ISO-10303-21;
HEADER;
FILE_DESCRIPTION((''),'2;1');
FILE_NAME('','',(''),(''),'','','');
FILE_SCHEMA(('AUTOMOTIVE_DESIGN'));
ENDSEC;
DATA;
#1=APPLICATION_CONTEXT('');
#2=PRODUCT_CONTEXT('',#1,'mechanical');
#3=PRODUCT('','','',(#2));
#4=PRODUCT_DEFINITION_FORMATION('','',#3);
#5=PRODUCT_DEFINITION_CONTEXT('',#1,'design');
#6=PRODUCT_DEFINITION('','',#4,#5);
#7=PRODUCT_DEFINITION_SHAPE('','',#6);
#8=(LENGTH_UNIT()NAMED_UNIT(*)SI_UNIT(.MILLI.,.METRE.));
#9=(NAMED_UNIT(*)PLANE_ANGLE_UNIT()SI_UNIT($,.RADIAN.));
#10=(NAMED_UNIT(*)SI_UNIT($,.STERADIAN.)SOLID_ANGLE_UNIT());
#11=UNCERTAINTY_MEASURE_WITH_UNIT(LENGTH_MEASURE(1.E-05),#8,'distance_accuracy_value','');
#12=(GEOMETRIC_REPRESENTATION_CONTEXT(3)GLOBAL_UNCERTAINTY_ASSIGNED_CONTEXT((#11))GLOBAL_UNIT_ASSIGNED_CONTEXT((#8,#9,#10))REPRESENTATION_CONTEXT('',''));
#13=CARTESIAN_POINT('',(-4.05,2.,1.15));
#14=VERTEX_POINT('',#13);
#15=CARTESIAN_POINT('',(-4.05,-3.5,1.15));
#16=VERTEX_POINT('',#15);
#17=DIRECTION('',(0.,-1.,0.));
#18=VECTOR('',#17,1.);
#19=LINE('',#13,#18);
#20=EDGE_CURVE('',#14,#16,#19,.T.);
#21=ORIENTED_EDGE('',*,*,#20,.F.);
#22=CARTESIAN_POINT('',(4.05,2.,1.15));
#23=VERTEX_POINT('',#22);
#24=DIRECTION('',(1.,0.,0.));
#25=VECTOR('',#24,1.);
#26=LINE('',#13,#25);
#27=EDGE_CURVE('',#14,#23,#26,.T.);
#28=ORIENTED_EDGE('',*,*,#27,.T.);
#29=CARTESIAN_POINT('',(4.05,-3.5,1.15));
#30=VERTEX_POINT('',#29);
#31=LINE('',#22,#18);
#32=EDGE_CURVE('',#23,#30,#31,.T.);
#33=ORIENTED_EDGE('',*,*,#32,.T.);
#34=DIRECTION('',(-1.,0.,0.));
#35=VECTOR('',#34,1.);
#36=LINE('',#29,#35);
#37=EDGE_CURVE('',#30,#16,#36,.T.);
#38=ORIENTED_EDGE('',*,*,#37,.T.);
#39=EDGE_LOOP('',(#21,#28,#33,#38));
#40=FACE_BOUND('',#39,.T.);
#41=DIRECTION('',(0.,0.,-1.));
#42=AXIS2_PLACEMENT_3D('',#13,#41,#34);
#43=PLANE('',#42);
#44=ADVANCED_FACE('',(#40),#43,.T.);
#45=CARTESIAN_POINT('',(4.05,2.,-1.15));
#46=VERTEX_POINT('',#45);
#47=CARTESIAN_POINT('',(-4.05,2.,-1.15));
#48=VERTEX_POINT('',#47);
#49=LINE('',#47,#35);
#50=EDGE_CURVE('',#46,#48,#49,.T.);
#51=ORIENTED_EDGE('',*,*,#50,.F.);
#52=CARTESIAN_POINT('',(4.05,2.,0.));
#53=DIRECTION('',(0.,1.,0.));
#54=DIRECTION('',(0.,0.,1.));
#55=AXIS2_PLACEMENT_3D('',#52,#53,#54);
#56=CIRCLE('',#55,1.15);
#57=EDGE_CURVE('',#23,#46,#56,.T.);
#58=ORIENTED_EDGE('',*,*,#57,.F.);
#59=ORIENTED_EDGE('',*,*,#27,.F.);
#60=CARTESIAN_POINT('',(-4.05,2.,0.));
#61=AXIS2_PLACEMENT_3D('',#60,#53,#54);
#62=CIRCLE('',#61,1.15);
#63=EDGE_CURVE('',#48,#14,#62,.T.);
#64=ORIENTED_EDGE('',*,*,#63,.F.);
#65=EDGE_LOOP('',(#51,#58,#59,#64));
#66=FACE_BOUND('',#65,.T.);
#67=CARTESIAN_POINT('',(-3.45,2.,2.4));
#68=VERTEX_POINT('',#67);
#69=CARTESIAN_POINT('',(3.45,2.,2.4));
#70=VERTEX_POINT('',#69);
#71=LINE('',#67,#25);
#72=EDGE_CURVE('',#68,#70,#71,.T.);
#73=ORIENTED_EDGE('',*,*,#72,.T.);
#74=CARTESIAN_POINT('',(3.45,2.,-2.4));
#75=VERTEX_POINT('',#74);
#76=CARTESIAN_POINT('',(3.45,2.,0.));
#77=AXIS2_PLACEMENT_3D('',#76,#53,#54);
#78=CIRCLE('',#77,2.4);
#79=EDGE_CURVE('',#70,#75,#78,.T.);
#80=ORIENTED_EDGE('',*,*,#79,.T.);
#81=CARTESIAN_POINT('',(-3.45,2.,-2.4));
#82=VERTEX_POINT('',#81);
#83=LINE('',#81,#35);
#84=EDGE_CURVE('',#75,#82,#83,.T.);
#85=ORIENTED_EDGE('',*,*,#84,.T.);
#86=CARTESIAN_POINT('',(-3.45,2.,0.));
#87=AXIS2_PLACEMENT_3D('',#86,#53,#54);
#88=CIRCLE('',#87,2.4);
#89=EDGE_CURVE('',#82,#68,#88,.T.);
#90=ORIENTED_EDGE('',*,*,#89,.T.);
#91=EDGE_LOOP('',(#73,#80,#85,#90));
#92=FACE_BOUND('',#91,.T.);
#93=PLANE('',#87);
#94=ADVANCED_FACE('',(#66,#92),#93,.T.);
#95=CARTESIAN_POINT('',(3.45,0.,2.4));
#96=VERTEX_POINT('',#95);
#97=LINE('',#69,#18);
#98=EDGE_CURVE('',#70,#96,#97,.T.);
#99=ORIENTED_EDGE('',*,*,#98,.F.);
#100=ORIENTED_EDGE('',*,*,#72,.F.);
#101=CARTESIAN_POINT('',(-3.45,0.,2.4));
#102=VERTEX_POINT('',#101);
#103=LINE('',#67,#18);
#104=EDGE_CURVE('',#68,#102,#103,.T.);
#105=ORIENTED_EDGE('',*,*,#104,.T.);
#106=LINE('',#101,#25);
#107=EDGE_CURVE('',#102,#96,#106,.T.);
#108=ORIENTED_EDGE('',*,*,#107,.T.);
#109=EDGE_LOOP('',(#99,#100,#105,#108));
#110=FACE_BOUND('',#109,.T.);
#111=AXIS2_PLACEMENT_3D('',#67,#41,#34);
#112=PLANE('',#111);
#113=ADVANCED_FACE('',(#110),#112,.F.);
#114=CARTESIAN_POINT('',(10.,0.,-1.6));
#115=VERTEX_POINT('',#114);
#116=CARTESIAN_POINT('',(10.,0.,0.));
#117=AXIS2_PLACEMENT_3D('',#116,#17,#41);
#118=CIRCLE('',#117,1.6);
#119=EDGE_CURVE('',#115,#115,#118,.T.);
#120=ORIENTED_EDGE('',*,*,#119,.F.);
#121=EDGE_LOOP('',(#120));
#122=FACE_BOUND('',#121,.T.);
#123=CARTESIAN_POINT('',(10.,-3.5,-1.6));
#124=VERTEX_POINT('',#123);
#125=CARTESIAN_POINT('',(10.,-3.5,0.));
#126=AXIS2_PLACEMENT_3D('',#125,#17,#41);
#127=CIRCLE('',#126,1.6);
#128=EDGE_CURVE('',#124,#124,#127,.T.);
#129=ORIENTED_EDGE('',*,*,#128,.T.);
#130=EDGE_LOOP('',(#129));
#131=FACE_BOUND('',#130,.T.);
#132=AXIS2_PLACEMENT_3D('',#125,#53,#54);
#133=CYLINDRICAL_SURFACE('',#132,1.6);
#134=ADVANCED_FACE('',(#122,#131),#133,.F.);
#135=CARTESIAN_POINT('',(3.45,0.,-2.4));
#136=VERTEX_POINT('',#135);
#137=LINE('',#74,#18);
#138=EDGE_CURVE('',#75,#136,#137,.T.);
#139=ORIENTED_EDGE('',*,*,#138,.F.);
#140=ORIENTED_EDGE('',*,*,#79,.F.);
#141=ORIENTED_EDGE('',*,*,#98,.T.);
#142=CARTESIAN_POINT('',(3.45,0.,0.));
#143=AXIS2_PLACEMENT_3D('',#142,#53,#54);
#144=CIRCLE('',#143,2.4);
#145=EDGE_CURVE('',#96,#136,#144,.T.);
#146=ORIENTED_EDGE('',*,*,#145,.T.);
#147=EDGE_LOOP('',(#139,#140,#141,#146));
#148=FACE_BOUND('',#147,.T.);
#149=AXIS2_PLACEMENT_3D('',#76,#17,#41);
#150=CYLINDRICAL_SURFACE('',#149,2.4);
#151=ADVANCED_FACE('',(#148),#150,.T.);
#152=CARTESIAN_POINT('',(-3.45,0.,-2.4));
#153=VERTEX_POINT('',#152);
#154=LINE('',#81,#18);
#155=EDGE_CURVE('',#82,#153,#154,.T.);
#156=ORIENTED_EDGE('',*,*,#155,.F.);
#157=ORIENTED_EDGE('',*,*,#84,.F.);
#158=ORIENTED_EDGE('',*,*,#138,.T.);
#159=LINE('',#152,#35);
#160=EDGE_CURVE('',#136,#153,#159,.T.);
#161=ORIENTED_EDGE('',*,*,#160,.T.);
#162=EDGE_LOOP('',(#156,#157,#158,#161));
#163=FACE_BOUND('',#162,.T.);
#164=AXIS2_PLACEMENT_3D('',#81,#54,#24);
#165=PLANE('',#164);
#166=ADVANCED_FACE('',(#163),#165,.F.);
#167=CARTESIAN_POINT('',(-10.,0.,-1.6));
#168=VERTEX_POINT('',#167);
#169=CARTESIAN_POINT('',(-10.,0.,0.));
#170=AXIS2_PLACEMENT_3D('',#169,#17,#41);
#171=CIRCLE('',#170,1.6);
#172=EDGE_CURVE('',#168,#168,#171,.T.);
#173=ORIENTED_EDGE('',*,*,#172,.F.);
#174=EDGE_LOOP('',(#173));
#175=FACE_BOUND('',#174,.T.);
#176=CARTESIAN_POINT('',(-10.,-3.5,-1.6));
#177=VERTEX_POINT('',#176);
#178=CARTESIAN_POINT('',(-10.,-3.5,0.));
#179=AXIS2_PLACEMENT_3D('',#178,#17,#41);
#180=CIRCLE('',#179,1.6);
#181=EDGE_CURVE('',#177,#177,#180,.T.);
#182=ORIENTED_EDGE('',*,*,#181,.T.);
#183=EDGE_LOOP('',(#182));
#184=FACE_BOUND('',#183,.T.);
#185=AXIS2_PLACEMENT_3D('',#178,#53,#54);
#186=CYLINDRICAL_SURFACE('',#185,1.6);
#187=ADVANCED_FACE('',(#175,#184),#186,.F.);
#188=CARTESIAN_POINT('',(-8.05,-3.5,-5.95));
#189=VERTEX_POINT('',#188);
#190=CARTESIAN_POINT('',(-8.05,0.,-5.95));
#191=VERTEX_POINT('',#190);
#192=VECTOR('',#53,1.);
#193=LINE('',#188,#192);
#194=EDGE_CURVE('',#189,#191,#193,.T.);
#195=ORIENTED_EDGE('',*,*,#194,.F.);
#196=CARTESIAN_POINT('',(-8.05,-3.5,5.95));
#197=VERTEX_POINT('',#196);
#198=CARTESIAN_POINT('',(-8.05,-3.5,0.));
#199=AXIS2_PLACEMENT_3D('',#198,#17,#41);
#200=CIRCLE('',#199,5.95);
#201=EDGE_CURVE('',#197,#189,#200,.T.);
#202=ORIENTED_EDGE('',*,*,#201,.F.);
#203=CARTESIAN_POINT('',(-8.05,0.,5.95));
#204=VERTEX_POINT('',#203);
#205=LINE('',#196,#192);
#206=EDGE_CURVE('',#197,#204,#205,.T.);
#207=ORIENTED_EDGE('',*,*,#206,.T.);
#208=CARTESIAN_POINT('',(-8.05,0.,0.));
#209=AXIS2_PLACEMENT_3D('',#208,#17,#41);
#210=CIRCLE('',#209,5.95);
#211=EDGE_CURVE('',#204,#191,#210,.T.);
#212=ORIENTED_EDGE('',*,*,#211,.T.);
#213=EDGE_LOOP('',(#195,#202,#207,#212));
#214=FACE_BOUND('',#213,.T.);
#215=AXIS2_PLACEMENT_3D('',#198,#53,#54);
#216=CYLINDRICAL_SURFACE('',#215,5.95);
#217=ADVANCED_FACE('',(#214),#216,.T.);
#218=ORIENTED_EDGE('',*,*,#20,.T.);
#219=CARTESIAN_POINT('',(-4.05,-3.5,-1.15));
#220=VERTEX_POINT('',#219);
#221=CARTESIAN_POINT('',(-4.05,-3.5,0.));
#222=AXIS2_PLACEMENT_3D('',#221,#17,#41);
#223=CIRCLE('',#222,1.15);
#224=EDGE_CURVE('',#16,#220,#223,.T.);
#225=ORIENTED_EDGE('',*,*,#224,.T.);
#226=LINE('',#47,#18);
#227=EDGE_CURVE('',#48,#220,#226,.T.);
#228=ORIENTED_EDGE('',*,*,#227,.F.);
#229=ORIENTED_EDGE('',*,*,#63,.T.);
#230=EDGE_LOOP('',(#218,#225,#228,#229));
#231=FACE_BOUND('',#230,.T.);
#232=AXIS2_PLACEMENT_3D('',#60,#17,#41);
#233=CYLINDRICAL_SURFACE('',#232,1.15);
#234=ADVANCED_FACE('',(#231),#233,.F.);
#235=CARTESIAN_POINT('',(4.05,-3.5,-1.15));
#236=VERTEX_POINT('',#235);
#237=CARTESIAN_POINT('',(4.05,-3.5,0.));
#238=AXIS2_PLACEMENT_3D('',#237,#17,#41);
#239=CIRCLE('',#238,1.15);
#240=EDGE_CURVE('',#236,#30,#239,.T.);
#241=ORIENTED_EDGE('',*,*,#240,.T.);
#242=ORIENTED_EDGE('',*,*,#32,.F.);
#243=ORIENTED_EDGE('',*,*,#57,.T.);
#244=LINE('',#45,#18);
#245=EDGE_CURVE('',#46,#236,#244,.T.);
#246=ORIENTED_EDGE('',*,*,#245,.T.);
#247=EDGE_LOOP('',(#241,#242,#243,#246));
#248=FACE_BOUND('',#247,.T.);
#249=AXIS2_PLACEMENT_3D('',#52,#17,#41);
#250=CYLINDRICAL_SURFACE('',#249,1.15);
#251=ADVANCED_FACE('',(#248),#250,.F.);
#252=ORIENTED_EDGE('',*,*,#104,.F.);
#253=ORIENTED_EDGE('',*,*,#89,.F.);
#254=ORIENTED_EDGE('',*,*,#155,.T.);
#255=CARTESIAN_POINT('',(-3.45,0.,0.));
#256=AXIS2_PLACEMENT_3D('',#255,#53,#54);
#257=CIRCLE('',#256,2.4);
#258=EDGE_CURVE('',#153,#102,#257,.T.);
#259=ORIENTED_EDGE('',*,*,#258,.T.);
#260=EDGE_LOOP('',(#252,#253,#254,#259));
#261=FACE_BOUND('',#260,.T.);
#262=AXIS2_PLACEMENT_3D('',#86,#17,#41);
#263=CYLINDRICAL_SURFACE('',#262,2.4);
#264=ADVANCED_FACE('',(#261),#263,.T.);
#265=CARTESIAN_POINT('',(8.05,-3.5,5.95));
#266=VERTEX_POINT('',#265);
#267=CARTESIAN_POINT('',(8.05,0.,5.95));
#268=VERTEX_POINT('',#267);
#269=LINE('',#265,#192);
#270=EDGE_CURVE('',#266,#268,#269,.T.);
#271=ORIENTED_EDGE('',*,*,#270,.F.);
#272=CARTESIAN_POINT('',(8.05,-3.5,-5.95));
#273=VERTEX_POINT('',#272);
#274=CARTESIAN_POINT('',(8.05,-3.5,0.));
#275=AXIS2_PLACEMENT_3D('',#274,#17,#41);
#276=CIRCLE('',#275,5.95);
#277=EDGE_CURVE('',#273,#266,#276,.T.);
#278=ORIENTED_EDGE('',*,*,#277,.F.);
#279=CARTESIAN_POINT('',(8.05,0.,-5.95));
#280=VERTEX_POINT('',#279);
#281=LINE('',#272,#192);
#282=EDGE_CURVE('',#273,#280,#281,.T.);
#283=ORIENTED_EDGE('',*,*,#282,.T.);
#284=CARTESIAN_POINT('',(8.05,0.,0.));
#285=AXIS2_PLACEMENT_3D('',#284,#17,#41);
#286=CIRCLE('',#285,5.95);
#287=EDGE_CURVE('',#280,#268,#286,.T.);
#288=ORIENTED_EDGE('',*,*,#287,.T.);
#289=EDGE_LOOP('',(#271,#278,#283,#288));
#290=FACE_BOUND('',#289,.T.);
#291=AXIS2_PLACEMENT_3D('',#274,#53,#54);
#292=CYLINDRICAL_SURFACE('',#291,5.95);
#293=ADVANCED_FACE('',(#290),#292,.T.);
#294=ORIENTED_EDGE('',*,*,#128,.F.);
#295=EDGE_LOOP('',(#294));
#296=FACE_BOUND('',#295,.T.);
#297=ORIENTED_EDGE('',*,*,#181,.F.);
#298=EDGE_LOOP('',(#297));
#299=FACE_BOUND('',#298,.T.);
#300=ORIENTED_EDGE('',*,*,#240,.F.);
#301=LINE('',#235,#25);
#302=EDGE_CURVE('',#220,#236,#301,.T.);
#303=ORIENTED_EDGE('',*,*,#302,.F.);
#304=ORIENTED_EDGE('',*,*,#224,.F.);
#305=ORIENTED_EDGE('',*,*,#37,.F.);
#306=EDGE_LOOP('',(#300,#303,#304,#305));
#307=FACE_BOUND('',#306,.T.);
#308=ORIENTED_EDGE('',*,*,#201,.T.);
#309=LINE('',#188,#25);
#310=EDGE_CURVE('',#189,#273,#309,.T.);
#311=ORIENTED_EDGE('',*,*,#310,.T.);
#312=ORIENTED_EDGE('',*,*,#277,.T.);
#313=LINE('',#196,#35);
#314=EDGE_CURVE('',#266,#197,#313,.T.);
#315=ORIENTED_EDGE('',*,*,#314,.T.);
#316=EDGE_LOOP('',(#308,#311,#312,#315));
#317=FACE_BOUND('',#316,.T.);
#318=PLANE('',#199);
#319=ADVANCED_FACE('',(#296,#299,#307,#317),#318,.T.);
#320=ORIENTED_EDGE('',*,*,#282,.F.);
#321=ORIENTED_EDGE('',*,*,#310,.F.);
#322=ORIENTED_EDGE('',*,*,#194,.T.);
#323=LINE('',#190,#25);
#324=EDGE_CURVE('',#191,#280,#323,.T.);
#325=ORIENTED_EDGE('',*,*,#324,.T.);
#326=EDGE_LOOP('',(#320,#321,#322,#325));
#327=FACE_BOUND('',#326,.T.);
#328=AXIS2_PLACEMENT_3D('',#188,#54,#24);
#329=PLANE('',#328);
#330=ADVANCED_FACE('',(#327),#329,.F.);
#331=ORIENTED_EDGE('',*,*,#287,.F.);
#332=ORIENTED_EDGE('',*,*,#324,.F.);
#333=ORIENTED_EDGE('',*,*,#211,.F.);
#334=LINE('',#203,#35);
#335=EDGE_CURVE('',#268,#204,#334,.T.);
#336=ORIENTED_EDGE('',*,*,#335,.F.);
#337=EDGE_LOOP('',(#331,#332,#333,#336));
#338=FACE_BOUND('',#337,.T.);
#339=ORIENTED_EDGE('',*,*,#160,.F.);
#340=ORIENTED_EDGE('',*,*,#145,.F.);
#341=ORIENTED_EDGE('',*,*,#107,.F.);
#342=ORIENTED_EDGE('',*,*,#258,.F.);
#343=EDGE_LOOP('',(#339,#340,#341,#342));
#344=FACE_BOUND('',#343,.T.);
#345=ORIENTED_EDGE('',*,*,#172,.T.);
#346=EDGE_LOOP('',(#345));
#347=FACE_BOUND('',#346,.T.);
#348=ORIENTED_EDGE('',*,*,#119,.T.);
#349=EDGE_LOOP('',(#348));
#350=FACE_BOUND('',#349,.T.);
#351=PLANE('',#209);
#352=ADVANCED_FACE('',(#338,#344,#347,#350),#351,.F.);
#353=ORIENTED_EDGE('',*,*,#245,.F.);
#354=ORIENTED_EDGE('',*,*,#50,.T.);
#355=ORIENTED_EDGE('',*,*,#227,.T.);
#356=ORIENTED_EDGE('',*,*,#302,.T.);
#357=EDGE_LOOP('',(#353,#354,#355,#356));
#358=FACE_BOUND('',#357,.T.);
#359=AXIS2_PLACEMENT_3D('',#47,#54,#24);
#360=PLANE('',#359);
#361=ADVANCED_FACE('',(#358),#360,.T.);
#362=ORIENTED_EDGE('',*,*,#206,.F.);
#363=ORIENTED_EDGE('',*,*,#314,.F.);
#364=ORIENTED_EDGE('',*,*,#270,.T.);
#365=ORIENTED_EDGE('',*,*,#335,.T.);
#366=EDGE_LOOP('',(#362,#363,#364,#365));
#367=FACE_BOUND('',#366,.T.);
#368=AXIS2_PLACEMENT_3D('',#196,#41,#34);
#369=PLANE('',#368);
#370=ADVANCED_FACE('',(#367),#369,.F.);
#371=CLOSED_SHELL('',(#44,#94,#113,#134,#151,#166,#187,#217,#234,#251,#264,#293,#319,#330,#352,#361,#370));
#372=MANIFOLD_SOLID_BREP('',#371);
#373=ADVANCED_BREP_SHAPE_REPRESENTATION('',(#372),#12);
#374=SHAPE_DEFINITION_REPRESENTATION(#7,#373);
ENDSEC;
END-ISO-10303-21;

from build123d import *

# Parameters (mm, degrees)
BOSS_EXTRUDE1_DEPTH = 2
BOSS_EXTRUDE2_START = 3.5
SKETCH2_R           = 1.6
BOSS_EXTRUDE2_DEPTH = 3.5


with BuildPart() as part:
    # Sketch1 → Boss-Extrude1 (new body)
    with BuildSketch(Plane(origin=(0, 0, 0), x_dir=(1, 0, 0), z_dir=(0, 1, 0))):
        with BuildLine():
            Line((-3.45, 2.4), (3.45, 2.4))
            ThreePointArc((3.45, 2.4), (5.85, 0), (3.45, -2.4))
            Line((3.45, -2.4), (-3.45, -2.4))
            ThreePointArc((-3.45, -2.4), (-5.85, 0), (-3.45, 2.4))
        make_face()
        with BuildLine():
            Line((-4.05, 1.15), (4.05, 1.15))
            ThreePointArc((4.05, 1.15), (5.2, 0), (4.05, -1.15))
            Line((4.05, -1.15), (-4.05, -1.15))
            ThreePointArc((-4.05, -1.15), (-5.2, 0), (-4.05, 1.15))
        make_face(mode=Mode.SUBTRACT)
    extrude(amount=BOSS_EXTRUDE1_DEPTH)

    # Sketch2 → Boss-Extrude2 (add)
    with BuildSketch(Plane.XZ.offset(BOSS_EXTRUDE2_START)):
        with BuildLine():
            Line((-8.05, 5.95), (8.05, 5.95))
            ThreePointArc((8.05, 5.95), (14, 0), (8.05, -5.95))
            Line((8.05, -5.95), (-8.05, -5.95))
            ThreePointArc((-8.05, -5.95), (-14, 0), (-8.05, 5.95))
        make_face()
        with Locations(Location((-10, 0, 0), (0, 0, 270))):
            Circle(SKETCH2_R, mode=Mode.SUBTRACT)
        with Locations(Location((10, 0, 0), (0, 0, 270))):
            Circle(SKETCH2_R, mode=Mode.SUBTRACT)
        with BuildLine():
            Line((4.05, -1.15), (-4.05, -1.15))
            ThreePointArc((-4.05, -1.15), (-5.2, 0), (-4.05, 1.15))
            Line((-4.05, 1.15), (4.05, 1.15))
            ThreePointArc((4.05, 1.15), (5.2, 0), (4.05, -1.15))
        make_face(mode=Mode.SUBTRACT)
    extrude(amount=-BOSS_EXTRUDE2_DEPTH)


solid = part.part
